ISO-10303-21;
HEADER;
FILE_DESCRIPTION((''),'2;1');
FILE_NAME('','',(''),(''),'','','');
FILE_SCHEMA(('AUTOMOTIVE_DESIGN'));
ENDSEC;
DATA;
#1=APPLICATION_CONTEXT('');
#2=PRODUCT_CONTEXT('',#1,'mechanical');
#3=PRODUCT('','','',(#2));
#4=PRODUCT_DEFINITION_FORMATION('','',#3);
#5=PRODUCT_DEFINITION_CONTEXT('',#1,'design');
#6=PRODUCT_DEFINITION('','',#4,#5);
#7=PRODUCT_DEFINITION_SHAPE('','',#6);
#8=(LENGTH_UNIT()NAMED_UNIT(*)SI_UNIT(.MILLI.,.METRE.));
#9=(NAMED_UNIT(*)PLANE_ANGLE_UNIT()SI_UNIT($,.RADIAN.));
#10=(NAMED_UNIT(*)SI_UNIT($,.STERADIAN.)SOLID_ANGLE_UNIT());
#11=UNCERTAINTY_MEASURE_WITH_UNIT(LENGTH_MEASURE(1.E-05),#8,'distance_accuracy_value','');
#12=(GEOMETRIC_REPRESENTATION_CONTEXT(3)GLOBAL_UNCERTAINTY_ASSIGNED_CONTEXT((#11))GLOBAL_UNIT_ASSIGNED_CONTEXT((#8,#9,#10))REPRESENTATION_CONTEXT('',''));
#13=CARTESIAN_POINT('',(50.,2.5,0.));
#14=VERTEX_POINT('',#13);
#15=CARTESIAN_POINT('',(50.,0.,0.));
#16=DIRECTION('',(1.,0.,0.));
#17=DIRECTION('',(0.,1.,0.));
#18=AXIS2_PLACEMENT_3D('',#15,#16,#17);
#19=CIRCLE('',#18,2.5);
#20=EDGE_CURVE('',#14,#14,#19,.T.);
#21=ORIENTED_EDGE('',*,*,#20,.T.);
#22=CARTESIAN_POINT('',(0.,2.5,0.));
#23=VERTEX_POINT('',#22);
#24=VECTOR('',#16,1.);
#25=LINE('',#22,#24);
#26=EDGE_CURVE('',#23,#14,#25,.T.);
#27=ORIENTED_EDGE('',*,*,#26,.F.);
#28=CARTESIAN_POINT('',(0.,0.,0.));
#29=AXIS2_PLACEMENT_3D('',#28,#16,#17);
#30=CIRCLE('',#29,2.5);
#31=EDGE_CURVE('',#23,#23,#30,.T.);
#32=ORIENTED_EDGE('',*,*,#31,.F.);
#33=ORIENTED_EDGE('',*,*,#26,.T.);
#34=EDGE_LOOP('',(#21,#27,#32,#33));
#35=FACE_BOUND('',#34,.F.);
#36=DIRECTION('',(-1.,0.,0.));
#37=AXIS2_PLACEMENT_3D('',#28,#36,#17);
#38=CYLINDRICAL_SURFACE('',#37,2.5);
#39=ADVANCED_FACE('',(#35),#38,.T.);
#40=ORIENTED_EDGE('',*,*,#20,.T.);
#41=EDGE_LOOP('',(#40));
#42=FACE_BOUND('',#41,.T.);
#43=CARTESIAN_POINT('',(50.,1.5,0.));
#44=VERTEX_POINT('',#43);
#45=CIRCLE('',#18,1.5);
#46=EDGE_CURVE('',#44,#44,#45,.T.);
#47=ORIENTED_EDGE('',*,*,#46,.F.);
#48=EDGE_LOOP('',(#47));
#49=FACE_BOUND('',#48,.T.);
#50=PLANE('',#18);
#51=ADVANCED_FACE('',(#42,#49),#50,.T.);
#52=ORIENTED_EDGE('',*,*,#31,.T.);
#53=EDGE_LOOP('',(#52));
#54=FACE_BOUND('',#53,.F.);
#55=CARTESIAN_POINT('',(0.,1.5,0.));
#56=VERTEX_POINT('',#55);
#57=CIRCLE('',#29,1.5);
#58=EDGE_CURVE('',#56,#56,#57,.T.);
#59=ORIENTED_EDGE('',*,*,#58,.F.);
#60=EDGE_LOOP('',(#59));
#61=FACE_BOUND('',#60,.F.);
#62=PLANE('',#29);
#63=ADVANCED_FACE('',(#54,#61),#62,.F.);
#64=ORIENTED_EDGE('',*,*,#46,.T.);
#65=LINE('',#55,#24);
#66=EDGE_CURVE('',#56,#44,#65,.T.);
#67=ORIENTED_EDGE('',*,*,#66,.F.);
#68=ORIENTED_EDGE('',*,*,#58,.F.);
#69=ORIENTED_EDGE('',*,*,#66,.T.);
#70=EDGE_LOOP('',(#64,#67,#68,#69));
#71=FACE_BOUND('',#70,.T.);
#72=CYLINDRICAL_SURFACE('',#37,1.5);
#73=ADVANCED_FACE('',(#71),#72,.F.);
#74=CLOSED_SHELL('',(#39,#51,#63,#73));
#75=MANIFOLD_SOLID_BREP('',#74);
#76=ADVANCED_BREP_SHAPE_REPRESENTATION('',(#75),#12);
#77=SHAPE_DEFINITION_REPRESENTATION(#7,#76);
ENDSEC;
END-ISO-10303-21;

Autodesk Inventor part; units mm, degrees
ref_plane "YZ Plane" through (0, 0, 0) normal (1, 0, 0) x (0, 1, 0)
ref_plane "XZ Plane" through (0, 0, 0) normal (0, 1, 0) x (-1, 0, 0)
ref_plane "XY Plane" through (0, 0, 0) normal (0, 0, 1) x (1, 0, 0)
sketch "Эскиз1" plane through (0, 0, 0) normal (1, 0, 0) x (0, 1, 0)
  circle A0 centre (0, 0) radius 1.5
  circle A1 centre (0, 0) radius 2.5
  dimension "d0" = 3
  dimension "d5" = 5
extrude "Выдавливание1" add sketch "Эскиз1" along normal blind 50
properties part number "stand_50"
